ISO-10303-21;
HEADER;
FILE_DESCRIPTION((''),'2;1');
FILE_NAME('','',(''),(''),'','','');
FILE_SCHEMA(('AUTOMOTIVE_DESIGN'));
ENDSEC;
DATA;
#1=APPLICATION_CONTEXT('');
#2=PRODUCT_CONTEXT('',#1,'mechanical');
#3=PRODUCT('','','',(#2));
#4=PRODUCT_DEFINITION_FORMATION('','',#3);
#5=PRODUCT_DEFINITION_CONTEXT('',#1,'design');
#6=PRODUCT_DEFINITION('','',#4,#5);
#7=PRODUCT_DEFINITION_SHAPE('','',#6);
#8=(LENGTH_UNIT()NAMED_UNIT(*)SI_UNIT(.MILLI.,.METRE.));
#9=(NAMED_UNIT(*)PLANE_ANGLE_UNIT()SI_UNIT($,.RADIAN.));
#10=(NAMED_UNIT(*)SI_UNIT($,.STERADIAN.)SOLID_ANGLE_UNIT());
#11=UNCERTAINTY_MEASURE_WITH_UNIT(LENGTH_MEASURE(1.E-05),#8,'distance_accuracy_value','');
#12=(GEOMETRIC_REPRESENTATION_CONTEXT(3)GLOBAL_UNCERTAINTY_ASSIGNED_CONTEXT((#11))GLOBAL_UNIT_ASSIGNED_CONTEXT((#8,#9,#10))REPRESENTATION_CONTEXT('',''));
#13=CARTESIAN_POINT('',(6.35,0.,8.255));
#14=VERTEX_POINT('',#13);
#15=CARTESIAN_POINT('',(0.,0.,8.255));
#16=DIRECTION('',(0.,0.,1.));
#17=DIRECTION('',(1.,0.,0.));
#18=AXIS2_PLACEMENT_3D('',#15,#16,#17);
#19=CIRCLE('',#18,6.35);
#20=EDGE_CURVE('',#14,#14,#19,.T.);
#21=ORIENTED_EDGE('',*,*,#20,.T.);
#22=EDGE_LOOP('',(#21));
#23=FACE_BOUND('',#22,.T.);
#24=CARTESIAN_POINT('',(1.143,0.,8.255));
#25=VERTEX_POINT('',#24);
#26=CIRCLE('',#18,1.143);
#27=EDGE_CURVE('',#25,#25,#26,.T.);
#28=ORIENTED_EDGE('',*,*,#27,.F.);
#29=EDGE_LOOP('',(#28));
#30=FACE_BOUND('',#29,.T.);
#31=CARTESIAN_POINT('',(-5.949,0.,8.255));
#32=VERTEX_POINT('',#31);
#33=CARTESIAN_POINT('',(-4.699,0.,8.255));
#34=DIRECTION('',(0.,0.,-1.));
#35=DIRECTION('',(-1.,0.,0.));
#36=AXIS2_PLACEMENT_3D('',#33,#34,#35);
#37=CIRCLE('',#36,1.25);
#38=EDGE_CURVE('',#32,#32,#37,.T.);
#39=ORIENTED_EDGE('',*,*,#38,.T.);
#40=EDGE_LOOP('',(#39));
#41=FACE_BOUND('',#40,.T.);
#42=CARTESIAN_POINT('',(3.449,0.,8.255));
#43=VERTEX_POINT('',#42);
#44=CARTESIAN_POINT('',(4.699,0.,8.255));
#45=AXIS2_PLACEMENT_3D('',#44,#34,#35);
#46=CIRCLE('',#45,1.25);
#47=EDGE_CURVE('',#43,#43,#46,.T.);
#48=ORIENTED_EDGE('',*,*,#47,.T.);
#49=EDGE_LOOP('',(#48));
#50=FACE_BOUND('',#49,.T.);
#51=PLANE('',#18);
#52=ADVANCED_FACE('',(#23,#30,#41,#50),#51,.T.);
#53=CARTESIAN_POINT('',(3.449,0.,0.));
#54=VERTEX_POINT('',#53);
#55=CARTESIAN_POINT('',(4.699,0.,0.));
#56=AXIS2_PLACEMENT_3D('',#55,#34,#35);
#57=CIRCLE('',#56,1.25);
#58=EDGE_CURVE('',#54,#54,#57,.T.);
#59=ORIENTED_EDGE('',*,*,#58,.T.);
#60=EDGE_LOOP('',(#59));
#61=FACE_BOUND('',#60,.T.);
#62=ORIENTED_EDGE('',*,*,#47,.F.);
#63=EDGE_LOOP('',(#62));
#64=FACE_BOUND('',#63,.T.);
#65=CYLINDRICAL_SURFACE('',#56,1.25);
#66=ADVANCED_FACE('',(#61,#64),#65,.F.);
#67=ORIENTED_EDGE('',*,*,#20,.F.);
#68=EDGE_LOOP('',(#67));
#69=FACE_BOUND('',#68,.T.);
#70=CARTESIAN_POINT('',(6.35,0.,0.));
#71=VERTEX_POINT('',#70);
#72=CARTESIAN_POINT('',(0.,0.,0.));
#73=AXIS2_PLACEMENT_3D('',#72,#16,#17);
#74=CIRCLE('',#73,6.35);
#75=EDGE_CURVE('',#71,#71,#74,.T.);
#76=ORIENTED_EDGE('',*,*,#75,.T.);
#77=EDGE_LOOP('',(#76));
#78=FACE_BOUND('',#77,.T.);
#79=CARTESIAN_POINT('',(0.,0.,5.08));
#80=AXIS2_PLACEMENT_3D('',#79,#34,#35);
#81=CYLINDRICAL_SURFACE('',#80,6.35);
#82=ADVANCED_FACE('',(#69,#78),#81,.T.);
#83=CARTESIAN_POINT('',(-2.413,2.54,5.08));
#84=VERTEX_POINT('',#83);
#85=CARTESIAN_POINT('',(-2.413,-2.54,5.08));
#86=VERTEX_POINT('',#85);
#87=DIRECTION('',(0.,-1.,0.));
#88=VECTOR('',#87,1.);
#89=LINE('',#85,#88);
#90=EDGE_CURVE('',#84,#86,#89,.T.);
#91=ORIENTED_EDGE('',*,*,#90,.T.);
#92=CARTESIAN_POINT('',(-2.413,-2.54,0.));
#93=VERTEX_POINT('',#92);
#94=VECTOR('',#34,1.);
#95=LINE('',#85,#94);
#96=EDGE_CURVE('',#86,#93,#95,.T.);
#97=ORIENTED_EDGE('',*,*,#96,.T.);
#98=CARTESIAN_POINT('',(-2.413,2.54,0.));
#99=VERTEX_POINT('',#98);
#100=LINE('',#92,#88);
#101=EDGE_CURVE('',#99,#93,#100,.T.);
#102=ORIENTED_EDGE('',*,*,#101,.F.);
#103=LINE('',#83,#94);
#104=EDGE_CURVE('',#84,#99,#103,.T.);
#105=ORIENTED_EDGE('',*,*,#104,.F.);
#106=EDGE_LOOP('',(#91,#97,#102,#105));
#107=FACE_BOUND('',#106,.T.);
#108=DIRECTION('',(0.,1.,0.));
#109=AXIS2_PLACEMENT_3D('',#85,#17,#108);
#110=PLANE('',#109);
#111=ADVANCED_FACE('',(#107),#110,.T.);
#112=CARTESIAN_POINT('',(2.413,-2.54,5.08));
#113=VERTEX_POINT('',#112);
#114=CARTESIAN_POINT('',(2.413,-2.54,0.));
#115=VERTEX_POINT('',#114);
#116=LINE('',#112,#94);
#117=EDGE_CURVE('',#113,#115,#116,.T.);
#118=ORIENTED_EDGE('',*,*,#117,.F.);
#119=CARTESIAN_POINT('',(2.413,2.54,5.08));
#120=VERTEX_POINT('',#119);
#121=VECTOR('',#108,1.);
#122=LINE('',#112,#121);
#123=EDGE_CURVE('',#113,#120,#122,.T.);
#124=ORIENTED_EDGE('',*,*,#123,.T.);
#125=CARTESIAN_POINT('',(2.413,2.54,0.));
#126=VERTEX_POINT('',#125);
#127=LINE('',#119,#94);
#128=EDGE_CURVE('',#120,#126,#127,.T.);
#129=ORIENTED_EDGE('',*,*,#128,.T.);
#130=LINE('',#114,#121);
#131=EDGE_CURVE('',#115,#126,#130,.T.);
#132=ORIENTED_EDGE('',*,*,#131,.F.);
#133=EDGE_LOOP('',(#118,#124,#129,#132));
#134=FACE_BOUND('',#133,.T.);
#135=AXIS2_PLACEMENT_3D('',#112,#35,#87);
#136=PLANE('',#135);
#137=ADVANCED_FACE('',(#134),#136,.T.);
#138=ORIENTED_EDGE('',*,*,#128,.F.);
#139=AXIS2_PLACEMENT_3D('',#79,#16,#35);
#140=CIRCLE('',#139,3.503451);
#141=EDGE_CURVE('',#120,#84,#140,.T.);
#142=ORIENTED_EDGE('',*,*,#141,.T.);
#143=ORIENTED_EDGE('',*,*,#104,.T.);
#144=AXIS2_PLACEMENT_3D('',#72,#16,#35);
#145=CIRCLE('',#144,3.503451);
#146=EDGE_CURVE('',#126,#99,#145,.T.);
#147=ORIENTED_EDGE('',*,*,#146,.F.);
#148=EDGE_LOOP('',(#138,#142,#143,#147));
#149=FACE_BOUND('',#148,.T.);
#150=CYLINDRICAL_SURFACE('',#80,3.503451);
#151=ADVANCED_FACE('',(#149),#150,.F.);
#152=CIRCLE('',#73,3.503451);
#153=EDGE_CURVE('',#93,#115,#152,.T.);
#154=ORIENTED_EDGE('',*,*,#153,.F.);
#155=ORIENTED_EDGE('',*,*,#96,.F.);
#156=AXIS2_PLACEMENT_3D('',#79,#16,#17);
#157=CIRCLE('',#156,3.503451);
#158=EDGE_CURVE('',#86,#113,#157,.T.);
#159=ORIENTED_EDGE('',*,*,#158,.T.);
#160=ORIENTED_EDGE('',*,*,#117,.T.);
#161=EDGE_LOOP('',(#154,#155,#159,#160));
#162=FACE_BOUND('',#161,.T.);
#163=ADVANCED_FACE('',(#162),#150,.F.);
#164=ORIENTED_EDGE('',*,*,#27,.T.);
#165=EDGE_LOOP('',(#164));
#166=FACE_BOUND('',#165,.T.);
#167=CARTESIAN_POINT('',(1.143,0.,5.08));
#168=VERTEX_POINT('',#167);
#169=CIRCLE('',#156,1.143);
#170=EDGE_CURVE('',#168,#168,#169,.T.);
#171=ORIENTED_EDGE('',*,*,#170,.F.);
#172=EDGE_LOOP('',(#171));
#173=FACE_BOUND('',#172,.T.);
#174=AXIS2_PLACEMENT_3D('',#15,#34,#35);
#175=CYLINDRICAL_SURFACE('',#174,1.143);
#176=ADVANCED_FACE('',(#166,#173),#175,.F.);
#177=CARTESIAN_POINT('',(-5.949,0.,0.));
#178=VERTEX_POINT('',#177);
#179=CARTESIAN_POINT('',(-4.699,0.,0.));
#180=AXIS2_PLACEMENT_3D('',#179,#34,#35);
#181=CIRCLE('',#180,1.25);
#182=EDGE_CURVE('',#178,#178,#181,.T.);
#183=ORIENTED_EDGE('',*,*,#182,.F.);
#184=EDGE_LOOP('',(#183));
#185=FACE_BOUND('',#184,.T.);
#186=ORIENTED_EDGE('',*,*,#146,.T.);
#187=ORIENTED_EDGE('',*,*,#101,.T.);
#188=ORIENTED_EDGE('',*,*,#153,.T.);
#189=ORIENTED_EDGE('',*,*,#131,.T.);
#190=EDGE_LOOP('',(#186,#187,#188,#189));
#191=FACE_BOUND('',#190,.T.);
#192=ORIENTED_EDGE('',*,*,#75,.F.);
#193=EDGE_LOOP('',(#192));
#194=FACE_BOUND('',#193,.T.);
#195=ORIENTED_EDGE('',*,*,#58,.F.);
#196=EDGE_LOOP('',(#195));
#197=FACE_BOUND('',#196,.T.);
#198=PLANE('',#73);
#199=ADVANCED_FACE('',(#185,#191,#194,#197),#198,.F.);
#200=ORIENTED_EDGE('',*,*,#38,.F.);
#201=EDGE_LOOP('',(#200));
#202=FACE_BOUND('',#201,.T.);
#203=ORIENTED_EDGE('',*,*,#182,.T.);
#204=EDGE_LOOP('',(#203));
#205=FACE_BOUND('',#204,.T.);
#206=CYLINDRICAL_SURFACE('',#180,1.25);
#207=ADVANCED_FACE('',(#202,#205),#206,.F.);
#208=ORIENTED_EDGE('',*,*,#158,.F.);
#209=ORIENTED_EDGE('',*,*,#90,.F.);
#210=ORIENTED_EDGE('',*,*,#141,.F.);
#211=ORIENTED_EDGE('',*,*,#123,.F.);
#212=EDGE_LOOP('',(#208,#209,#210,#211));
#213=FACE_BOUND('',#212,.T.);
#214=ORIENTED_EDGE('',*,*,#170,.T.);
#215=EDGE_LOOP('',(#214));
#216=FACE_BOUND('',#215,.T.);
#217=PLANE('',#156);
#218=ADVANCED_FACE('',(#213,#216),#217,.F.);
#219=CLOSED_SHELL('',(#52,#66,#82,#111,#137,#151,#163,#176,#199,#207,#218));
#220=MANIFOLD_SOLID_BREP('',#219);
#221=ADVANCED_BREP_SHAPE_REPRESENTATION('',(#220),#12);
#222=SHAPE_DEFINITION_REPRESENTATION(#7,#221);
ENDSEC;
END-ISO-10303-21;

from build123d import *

# Parameters (mm, degrees)
SKETCH1_R               = 6.35
BOSS_EXTRUDE1_DEPTH     = 5.08
SKETCH2_R               = 6.35
SKETCH2_R_2             = 1.143
BOSS_EXTRUDE2_DEPTH     = 3.175
TAP_DRILL_FOR_M3_TAP2_D = 2.5


with BuildPart() as part:
    # Sketch1 → Boss-Extrude1 (new body)
    with BuildSketch(Plane.XY):
        Circle(SKETCH1_R)
        with BuildLine():
            Line((-2.413, -2.54), (-2.413, 2.54))
            ThreePointArc((-2.413, 2.54), (0, 3.503451013), (2.413, 2.54))
            Line((2.413, 2.54), (2.413, -2.54))
            ThreePointArc((2.413, -2.54), (0, -3.503451013), (-2.413, -2.54))
        make_face(mode=Mode.SUBTRACT)
    extrude(amount=BOSS_EXTRUDE1_DEPTH)

    # Sketch2 → Boss-Extrude2 (add)
    with BuildSketch(Plane.XY.offset(5.08)):
        Circle(SKETCH2_R)
        Circle(SKETCH2_R_2, mode=Mode.SUBTRACT)
    extrude(amount=BOSS_EXTRUDE2_DEPTH)

    # Tap Drill for M3 Tap2 (through all)
    with Locations(Plane(origin=(0, 0, 0), x_dir=(-1, 0, 0), z_dir=(0, 0, -1))):
        with Locations((-4.699, 0), (4.699, 0)):
            Hole(TAP_DRILL_FOR_M3_TAP2_D / 2)


solid = part.part
